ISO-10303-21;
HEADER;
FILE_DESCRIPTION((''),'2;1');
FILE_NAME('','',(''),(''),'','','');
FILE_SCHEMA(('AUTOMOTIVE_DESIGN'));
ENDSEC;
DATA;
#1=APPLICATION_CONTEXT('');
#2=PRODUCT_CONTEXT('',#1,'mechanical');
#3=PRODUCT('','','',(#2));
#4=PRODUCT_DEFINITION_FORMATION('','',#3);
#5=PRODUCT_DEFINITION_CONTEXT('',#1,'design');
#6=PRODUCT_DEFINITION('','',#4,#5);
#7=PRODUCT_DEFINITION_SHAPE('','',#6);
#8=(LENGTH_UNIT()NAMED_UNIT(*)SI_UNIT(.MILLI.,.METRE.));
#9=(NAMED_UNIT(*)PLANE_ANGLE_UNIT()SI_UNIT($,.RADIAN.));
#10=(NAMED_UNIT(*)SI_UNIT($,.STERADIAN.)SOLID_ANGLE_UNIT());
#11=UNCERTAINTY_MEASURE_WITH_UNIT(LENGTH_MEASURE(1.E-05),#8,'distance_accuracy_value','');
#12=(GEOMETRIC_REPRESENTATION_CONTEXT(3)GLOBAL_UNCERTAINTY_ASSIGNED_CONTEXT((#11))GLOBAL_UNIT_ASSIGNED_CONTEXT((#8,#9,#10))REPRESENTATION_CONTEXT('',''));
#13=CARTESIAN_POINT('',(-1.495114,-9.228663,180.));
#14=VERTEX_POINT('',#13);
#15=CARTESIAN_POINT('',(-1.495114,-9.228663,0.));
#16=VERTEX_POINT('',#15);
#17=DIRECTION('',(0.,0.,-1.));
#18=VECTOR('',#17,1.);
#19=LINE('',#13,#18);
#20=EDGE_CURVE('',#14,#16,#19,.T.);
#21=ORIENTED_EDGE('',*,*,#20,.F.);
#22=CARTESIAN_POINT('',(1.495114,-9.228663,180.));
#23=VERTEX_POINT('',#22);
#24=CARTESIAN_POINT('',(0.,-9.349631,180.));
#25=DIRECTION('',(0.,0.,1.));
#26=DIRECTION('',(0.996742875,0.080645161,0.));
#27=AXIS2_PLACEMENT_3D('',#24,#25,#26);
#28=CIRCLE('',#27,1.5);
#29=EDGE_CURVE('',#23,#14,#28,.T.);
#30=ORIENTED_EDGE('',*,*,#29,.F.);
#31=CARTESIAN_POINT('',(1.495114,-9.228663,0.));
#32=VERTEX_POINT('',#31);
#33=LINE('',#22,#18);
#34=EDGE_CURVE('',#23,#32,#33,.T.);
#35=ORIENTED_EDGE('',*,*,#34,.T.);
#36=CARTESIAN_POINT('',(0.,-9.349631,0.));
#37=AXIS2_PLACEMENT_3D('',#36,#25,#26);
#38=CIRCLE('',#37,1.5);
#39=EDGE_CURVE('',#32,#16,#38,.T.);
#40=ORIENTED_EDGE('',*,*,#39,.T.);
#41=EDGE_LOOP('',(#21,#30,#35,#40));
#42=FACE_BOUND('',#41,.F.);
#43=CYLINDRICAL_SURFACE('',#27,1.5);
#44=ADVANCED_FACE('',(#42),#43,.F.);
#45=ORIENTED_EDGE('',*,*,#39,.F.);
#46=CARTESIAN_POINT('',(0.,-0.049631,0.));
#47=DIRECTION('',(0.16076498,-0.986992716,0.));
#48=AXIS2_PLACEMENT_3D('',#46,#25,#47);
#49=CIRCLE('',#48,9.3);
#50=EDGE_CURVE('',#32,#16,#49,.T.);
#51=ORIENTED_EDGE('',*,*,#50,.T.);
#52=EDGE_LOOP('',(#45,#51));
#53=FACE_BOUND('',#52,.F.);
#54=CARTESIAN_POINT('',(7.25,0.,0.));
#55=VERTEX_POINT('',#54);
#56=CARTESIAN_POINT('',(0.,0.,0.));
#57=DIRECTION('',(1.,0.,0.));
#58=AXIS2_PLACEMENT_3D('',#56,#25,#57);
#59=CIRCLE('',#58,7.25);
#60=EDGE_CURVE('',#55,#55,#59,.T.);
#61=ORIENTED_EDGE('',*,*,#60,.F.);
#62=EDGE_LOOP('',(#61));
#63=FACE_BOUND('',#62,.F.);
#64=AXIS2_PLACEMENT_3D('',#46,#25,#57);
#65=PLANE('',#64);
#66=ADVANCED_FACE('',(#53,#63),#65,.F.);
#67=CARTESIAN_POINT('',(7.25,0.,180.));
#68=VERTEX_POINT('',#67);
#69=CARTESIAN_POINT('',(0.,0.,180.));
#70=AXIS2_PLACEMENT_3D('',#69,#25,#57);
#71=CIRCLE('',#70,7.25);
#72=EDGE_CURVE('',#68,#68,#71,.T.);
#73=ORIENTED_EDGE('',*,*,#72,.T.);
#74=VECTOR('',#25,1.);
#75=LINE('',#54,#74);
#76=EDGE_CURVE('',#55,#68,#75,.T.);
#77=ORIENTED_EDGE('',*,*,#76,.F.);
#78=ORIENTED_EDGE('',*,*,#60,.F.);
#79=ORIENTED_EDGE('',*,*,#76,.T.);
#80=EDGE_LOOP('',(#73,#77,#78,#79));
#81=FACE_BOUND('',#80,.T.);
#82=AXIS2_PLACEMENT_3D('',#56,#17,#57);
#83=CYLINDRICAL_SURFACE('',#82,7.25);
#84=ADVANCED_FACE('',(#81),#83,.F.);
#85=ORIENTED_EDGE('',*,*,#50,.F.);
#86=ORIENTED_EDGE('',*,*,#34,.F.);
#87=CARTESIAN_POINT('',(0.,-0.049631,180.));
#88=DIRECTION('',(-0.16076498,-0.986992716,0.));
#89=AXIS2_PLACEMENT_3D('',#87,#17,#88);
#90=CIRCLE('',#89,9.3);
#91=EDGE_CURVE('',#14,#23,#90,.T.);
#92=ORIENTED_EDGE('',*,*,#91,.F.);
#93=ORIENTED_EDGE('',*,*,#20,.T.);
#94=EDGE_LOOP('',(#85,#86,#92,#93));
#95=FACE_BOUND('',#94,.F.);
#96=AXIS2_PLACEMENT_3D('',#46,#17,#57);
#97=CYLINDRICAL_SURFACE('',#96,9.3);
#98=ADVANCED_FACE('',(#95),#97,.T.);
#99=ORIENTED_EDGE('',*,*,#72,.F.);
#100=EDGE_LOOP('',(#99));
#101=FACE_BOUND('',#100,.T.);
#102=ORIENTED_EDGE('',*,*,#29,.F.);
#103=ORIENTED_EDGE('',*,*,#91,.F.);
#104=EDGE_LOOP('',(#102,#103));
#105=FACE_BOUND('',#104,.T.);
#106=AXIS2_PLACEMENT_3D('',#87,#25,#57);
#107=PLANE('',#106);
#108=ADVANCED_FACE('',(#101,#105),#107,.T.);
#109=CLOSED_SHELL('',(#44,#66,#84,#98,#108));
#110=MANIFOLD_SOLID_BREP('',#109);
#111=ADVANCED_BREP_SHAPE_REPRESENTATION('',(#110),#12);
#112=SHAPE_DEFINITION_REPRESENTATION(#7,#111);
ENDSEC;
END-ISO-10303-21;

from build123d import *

# Parameters (mm, degrees)
F0_R     = 9.3
F0_R_2   = 7.25
F1_DEPTH = 180
F3_DEPTH = 180.001


with BuildPart() as f1:
    # F0 (on Top) → F1 (new body)
    with BuildSketch(Plane.XY):
        with Locations((0, -0.0496306275)):
            Circle(F0_R)
        Circle(F0_R_2, mode=Mode.SUBTRACT)
    extrude(amount=F1_DEPTH)

    # F2 (on face) → F3 (cut, through all)
    with BuildSketch(Plane.XY.offset(180)):
        with BuildLine():
            ThreePointArc((-1.4951143118, -9.2286628855), (0, -9.3496306275), (1.4951143118, -9.2286628855))
            ThreePointArc((1.4951143118, -9.2286628855), (0, -7.8496306275), (-1.4951143118, -9.2286628855))
        make_face()
    extrude(amount=-F3_DEPTH, mode=Mode.SUBTRACT)


solid = f1.part
